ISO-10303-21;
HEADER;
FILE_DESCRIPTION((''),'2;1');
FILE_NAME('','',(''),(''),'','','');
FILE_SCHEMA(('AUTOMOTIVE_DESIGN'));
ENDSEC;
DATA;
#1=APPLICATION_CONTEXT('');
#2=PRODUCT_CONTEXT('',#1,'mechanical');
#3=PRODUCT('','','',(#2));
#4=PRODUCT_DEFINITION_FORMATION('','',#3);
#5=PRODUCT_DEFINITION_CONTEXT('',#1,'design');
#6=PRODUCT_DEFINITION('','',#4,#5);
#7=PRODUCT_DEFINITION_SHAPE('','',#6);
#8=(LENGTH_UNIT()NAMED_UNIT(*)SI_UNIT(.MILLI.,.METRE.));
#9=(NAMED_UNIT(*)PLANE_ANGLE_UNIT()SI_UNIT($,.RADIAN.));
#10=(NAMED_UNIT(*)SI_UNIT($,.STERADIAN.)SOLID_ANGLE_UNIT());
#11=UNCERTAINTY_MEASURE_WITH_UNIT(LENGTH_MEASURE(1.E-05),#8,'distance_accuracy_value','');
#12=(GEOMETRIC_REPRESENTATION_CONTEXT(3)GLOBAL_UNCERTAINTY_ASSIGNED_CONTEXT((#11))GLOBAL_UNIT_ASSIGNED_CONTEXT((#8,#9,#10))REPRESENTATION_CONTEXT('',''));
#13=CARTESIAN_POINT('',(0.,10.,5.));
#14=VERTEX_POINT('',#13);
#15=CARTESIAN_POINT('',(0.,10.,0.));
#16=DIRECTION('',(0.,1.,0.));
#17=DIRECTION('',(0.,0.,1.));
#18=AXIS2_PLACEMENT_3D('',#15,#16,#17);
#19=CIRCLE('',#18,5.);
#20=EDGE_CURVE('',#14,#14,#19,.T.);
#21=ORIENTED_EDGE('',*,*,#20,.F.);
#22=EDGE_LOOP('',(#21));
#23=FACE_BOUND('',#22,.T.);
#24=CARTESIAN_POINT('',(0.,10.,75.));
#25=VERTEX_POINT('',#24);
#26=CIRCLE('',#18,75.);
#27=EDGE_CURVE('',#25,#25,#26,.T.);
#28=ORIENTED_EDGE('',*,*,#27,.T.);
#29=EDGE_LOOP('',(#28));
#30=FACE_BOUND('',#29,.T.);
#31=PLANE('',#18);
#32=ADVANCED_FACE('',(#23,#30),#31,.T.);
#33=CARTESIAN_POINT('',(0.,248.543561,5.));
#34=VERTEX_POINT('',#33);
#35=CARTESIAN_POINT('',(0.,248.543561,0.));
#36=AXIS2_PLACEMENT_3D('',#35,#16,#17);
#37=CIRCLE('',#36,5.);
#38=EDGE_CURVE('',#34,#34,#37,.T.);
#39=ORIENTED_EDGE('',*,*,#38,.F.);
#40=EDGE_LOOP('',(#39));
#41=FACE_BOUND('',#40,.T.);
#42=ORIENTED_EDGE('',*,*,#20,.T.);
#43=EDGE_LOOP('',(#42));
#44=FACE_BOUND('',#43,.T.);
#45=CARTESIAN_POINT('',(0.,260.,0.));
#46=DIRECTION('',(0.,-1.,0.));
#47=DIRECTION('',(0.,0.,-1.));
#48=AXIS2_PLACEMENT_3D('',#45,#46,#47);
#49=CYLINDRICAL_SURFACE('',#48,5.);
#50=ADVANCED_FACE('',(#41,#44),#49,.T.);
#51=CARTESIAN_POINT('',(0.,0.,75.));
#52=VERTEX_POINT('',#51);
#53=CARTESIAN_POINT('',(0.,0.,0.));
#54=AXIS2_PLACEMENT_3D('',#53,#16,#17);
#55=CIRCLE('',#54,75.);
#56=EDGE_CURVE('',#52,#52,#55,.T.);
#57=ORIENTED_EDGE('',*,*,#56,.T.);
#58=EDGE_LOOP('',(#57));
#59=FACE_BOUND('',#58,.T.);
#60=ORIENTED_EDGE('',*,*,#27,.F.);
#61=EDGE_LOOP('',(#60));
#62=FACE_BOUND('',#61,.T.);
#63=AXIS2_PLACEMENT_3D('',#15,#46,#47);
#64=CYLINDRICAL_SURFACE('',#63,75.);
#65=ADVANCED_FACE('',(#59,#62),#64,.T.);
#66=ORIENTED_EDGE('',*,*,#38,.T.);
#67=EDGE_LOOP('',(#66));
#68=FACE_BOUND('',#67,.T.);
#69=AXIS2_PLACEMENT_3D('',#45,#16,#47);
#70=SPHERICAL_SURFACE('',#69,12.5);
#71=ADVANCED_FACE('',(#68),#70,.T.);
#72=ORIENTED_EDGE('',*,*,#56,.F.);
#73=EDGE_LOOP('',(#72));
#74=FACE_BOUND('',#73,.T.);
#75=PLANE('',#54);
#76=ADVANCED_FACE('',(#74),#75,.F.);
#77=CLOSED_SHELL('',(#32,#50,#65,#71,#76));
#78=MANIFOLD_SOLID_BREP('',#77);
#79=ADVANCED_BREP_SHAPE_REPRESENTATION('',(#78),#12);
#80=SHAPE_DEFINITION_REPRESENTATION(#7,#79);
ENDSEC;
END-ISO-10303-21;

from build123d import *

# Parameters (mm, degrees)
ESBO_O1_R                = 75
RESSALTO_EXTRUS_O1_DEPTH = 10
ESBO_O2_R                = 5
RESSALTO_EXTRUS_O2_DEPTH = 250


with BuildPart() as part:
    # Esboço1 → Ressalto-extrusão1 (new body)
    with BuildSketch(Plane(origin=(0, 0, 0), x_dir=(1, 0, 0), z_dir=(0, 1, 0))):
        Circle(ESBO_O1_R)
    extrude(amount=RESSALTO_EXTRUS_O1_DEPTH)

    # Esboço2 → Ressalto-extrusão2 (add)
    with BuildSketch(Plane(origin=(0, 10, 0), x_dir=(1, 0, 0), z_dir=(0, 1, 0))):
        Circle(ESBO_O2_R)
    extrude(amount=RESSALTO_EXTRUS_O2_DEPTH)

    # Esboço4 → Revolução1 (revolve)
    with BuildSketch(Plane(origin=(0, 0, 0), x_dir=(0, 0, -1), z_dir=(1, 0, 0))):
        with BuildLine():
            Line((0, 272.5), (0, 247.5))
            ThreePointArc((0, 247.5), (12.5, 260), (0, 272.5))
        make_face()
    revolve(axis=Axis((0, 272.5, 0), (0, -1, 0)))


solid = part.part
